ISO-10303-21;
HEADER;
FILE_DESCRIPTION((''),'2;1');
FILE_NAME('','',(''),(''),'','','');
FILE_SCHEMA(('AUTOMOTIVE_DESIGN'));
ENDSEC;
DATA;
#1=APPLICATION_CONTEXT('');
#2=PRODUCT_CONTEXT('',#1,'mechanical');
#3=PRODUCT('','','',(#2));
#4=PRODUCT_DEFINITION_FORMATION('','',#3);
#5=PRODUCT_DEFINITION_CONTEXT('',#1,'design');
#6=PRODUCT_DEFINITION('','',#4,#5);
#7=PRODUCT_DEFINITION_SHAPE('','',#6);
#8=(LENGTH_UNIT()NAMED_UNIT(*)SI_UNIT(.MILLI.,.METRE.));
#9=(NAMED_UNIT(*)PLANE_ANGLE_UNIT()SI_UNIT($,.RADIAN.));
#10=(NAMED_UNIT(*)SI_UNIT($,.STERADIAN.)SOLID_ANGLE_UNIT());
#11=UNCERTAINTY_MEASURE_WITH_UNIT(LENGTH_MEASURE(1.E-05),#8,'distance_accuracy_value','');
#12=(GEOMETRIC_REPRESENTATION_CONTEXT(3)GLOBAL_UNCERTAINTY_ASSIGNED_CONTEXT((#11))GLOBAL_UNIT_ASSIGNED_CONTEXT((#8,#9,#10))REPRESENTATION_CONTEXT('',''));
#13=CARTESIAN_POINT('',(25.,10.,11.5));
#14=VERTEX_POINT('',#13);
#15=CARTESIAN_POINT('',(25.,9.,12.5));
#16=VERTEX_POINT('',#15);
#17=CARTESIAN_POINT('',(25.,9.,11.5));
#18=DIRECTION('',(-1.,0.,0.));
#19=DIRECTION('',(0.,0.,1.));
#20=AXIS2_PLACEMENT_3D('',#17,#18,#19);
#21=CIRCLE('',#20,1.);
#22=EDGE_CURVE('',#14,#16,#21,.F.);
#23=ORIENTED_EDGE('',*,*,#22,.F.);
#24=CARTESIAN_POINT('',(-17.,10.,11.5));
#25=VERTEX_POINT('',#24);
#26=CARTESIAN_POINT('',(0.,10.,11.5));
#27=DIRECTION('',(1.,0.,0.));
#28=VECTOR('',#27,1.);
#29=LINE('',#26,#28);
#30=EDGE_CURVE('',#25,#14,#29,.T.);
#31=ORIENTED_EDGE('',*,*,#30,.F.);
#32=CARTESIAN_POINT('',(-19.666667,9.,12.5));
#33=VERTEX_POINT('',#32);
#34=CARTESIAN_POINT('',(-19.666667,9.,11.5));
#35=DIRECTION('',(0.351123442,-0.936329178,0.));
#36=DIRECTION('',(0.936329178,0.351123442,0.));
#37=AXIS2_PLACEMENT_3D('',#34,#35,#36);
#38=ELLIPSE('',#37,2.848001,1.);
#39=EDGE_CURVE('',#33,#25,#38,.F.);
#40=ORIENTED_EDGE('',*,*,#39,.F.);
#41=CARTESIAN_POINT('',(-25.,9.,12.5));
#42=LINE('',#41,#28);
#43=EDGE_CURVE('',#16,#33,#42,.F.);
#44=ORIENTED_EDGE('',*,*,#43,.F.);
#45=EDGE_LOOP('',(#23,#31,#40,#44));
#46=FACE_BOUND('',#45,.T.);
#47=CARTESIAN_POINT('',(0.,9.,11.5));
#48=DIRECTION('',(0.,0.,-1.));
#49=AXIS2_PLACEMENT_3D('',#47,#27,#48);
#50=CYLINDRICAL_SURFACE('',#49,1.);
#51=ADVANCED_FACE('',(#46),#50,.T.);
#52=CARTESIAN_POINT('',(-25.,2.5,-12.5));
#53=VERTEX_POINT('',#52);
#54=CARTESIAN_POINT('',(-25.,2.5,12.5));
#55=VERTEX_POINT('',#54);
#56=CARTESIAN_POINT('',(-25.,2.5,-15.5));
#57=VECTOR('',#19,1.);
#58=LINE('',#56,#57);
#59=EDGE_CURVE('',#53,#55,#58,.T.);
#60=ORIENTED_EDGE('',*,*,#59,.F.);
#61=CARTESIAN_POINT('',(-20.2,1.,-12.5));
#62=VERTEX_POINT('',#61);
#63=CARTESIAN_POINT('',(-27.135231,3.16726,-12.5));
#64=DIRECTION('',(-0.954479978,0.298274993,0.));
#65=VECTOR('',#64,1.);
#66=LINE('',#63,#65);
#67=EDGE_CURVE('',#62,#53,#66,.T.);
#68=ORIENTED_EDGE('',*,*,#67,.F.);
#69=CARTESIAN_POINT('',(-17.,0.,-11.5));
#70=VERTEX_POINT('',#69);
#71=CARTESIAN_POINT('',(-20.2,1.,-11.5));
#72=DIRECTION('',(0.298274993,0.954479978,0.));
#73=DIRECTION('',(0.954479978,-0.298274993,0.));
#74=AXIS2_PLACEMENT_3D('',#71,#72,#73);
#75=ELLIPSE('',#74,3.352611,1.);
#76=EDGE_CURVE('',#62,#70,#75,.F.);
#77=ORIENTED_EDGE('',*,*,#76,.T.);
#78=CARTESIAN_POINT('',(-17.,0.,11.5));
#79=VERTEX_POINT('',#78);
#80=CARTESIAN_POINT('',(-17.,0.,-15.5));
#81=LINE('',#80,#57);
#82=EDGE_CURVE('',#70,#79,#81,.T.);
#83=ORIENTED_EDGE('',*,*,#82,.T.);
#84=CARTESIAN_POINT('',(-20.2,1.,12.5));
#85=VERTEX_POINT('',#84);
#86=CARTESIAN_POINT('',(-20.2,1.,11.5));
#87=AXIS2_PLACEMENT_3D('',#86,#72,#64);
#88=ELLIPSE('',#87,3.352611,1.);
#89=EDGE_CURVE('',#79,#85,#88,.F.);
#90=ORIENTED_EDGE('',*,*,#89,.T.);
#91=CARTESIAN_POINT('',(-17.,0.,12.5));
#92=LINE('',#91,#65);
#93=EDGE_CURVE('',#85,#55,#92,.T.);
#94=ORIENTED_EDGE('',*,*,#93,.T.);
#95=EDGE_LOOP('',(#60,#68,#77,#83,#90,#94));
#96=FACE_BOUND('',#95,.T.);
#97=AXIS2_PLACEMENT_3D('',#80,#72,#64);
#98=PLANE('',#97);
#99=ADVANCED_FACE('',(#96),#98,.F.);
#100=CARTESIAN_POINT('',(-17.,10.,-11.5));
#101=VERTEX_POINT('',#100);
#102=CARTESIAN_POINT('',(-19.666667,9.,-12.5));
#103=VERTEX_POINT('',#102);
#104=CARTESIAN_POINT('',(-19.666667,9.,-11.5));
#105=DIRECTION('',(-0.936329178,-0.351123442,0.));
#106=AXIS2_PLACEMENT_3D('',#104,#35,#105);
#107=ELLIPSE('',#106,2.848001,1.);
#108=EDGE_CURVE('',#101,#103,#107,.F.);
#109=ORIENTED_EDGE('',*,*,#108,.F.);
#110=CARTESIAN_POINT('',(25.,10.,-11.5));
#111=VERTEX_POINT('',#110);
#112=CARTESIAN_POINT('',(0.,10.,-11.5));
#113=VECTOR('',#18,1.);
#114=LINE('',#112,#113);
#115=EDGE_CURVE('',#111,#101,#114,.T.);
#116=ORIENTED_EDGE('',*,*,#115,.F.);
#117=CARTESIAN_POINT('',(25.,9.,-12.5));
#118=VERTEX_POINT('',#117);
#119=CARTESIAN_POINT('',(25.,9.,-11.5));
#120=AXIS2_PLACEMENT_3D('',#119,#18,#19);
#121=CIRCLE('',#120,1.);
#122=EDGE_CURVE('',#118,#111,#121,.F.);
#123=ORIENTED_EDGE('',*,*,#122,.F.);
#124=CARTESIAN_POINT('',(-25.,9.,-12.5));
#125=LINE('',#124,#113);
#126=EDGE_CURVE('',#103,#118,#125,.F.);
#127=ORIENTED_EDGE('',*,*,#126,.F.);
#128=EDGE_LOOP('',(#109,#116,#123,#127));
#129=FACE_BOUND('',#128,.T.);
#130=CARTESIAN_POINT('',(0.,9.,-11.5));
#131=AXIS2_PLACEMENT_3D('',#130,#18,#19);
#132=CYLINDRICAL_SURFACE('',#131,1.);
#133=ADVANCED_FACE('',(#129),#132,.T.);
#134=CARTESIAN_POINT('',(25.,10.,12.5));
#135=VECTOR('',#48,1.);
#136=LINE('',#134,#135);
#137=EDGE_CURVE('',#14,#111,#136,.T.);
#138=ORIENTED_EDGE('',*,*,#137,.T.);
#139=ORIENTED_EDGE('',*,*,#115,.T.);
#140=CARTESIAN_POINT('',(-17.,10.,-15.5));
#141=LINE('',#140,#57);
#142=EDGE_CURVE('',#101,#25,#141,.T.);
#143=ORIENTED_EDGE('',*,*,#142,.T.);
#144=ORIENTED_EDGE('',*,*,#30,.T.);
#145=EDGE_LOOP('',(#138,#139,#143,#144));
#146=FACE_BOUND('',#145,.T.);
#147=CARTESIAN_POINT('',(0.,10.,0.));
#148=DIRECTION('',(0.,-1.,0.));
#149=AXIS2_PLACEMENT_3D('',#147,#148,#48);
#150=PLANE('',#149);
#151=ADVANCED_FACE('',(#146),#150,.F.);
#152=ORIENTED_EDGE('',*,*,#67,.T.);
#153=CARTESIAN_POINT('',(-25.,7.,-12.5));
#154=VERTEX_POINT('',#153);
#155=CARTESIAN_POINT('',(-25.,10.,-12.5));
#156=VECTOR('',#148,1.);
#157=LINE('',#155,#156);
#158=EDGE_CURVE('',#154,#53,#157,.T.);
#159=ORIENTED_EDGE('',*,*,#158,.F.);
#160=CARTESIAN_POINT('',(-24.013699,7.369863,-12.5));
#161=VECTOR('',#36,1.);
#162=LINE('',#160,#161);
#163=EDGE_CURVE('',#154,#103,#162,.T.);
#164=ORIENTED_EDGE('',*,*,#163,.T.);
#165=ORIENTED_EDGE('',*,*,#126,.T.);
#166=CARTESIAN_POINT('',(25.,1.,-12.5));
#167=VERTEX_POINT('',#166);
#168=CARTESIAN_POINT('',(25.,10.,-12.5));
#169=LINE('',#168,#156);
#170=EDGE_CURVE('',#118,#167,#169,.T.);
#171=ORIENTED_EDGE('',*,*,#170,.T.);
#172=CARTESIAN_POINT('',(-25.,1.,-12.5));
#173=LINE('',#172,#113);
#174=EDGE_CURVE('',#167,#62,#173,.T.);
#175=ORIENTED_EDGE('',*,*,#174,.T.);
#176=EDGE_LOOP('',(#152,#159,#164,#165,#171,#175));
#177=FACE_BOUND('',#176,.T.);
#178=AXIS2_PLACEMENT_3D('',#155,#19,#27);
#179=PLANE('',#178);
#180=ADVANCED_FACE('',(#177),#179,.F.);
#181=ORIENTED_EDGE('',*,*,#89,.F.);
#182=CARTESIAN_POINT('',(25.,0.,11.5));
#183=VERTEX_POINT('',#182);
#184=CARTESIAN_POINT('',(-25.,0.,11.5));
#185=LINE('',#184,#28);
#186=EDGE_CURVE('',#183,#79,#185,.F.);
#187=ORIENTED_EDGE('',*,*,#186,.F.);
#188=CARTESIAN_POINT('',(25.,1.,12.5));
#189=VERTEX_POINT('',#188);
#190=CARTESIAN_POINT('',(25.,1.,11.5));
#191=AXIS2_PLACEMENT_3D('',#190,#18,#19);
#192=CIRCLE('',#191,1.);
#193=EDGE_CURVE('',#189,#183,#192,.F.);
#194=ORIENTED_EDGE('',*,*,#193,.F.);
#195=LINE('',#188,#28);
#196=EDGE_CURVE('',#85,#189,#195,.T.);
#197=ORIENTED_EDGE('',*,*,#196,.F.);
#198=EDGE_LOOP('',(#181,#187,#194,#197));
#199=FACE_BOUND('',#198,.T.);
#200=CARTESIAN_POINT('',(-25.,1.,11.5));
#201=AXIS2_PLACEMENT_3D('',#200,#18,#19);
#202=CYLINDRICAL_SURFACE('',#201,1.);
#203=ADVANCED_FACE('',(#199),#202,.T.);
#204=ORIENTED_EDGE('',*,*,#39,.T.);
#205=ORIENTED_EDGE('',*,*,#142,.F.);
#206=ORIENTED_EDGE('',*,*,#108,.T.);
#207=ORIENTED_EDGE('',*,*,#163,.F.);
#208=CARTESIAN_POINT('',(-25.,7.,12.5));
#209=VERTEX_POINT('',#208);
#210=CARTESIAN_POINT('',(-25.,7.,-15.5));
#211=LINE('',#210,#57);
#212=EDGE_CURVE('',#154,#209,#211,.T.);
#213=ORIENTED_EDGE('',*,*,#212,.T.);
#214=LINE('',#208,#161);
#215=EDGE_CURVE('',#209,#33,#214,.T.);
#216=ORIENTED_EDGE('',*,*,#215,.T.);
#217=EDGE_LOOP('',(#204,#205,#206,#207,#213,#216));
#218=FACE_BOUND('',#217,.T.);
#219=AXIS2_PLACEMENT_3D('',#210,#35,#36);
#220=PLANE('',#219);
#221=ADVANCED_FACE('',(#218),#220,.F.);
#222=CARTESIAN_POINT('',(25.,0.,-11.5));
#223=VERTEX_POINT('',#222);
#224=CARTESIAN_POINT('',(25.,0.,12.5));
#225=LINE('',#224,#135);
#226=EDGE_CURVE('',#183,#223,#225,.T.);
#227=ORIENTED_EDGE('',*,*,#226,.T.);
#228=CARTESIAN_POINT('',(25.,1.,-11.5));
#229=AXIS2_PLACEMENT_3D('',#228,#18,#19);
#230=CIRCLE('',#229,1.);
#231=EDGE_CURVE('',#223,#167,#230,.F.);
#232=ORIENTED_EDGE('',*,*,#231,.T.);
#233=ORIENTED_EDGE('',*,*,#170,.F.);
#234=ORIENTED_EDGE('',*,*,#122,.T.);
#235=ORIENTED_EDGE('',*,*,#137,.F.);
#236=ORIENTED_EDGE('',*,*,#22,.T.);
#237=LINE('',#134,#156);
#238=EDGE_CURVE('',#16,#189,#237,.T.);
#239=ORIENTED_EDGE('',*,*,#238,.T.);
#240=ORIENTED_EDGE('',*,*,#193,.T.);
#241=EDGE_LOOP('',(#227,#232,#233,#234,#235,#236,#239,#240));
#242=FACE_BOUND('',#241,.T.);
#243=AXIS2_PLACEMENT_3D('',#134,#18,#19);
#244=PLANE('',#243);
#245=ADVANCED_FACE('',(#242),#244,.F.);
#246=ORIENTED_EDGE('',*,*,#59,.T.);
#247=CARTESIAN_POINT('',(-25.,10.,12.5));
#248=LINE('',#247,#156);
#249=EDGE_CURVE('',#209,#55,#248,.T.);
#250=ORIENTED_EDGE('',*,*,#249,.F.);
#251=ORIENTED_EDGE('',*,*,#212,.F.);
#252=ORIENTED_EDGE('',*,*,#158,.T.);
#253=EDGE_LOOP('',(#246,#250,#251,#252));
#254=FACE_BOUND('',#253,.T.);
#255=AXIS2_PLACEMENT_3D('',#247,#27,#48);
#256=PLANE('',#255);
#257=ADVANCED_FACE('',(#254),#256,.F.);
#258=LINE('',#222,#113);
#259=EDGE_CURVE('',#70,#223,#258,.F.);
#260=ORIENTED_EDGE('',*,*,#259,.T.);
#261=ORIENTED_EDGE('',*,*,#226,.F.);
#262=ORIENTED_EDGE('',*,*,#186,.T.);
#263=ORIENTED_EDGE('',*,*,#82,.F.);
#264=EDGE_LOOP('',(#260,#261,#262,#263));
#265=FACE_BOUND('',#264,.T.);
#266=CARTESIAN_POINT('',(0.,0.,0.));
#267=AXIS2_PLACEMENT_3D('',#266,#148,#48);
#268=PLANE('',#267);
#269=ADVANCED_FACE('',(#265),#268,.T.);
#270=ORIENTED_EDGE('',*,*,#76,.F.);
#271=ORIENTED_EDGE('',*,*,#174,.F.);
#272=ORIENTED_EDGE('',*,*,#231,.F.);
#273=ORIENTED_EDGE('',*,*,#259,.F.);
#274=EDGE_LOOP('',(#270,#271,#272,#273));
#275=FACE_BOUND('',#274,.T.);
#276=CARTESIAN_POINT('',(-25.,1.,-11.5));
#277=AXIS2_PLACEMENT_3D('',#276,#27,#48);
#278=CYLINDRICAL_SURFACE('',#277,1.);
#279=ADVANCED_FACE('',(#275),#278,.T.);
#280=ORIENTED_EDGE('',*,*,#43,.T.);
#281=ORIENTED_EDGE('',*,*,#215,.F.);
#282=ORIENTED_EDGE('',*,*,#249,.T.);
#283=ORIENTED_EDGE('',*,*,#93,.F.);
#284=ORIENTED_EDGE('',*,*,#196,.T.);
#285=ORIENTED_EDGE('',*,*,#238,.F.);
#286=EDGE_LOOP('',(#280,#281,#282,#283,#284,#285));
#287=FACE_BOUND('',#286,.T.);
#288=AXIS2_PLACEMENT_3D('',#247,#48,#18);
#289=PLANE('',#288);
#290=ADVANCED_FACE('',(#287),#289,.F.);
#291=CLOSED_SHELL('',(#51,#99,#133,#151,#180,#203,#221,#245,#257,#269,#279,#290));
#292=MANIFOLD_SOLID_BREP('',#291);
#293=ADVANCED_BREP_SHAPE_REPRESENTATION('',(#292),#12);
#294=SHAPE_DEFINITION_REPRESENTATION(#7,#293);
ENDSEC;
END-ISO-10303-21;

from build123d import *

# Parameters (mm, degrees)
SKETCH_1_W          = 50
SKETCH_1_H          = 25
EXTRUDE_1_DEPTH     = 10
FILLET_1_R          = 1
CUT_EXTRUDE_1_DEPTH = 28


with BuildPart() as part:
    # 草图1 → 凸台-拉伸1 (new body)
    with BuildSketch(Plane(origin=(0, 0, 0), x_dir=(1, 0, 0), z_dir=(0, 1, 0))):
        Rectangle(SKETCH_1_W, SKETCH_1_H)
    extrude(amount=EXTRUDE_1_DEPTH)

    # 圆角1
    fillet_1_edges = [part.edges().sort_by_distance(p)[0] for p in [
        (0, 10, 12.5),
        (0, 0, 12.5),
        (0, 0, -12.5),
        (0, 10, -12.5),
    ]]
    fillet(fillet_1_edges, radius=FILLET_1_R)

    # 草图2 → 切除-拉伸1 (cut)
    with BuildSketch(Plane.XY.offset(12.5)):
        Polygon((-25, 7), (-17, 10), (-17, 12), (-27, 12), (-27, -2), (-17, -2), (-17, 0), (-25, 2.5), align=None)
    extrude(amount=-CUT_EXTRUDE_1_DEPTH, mode=Mode.SUBTRACT)


solid = part.part
